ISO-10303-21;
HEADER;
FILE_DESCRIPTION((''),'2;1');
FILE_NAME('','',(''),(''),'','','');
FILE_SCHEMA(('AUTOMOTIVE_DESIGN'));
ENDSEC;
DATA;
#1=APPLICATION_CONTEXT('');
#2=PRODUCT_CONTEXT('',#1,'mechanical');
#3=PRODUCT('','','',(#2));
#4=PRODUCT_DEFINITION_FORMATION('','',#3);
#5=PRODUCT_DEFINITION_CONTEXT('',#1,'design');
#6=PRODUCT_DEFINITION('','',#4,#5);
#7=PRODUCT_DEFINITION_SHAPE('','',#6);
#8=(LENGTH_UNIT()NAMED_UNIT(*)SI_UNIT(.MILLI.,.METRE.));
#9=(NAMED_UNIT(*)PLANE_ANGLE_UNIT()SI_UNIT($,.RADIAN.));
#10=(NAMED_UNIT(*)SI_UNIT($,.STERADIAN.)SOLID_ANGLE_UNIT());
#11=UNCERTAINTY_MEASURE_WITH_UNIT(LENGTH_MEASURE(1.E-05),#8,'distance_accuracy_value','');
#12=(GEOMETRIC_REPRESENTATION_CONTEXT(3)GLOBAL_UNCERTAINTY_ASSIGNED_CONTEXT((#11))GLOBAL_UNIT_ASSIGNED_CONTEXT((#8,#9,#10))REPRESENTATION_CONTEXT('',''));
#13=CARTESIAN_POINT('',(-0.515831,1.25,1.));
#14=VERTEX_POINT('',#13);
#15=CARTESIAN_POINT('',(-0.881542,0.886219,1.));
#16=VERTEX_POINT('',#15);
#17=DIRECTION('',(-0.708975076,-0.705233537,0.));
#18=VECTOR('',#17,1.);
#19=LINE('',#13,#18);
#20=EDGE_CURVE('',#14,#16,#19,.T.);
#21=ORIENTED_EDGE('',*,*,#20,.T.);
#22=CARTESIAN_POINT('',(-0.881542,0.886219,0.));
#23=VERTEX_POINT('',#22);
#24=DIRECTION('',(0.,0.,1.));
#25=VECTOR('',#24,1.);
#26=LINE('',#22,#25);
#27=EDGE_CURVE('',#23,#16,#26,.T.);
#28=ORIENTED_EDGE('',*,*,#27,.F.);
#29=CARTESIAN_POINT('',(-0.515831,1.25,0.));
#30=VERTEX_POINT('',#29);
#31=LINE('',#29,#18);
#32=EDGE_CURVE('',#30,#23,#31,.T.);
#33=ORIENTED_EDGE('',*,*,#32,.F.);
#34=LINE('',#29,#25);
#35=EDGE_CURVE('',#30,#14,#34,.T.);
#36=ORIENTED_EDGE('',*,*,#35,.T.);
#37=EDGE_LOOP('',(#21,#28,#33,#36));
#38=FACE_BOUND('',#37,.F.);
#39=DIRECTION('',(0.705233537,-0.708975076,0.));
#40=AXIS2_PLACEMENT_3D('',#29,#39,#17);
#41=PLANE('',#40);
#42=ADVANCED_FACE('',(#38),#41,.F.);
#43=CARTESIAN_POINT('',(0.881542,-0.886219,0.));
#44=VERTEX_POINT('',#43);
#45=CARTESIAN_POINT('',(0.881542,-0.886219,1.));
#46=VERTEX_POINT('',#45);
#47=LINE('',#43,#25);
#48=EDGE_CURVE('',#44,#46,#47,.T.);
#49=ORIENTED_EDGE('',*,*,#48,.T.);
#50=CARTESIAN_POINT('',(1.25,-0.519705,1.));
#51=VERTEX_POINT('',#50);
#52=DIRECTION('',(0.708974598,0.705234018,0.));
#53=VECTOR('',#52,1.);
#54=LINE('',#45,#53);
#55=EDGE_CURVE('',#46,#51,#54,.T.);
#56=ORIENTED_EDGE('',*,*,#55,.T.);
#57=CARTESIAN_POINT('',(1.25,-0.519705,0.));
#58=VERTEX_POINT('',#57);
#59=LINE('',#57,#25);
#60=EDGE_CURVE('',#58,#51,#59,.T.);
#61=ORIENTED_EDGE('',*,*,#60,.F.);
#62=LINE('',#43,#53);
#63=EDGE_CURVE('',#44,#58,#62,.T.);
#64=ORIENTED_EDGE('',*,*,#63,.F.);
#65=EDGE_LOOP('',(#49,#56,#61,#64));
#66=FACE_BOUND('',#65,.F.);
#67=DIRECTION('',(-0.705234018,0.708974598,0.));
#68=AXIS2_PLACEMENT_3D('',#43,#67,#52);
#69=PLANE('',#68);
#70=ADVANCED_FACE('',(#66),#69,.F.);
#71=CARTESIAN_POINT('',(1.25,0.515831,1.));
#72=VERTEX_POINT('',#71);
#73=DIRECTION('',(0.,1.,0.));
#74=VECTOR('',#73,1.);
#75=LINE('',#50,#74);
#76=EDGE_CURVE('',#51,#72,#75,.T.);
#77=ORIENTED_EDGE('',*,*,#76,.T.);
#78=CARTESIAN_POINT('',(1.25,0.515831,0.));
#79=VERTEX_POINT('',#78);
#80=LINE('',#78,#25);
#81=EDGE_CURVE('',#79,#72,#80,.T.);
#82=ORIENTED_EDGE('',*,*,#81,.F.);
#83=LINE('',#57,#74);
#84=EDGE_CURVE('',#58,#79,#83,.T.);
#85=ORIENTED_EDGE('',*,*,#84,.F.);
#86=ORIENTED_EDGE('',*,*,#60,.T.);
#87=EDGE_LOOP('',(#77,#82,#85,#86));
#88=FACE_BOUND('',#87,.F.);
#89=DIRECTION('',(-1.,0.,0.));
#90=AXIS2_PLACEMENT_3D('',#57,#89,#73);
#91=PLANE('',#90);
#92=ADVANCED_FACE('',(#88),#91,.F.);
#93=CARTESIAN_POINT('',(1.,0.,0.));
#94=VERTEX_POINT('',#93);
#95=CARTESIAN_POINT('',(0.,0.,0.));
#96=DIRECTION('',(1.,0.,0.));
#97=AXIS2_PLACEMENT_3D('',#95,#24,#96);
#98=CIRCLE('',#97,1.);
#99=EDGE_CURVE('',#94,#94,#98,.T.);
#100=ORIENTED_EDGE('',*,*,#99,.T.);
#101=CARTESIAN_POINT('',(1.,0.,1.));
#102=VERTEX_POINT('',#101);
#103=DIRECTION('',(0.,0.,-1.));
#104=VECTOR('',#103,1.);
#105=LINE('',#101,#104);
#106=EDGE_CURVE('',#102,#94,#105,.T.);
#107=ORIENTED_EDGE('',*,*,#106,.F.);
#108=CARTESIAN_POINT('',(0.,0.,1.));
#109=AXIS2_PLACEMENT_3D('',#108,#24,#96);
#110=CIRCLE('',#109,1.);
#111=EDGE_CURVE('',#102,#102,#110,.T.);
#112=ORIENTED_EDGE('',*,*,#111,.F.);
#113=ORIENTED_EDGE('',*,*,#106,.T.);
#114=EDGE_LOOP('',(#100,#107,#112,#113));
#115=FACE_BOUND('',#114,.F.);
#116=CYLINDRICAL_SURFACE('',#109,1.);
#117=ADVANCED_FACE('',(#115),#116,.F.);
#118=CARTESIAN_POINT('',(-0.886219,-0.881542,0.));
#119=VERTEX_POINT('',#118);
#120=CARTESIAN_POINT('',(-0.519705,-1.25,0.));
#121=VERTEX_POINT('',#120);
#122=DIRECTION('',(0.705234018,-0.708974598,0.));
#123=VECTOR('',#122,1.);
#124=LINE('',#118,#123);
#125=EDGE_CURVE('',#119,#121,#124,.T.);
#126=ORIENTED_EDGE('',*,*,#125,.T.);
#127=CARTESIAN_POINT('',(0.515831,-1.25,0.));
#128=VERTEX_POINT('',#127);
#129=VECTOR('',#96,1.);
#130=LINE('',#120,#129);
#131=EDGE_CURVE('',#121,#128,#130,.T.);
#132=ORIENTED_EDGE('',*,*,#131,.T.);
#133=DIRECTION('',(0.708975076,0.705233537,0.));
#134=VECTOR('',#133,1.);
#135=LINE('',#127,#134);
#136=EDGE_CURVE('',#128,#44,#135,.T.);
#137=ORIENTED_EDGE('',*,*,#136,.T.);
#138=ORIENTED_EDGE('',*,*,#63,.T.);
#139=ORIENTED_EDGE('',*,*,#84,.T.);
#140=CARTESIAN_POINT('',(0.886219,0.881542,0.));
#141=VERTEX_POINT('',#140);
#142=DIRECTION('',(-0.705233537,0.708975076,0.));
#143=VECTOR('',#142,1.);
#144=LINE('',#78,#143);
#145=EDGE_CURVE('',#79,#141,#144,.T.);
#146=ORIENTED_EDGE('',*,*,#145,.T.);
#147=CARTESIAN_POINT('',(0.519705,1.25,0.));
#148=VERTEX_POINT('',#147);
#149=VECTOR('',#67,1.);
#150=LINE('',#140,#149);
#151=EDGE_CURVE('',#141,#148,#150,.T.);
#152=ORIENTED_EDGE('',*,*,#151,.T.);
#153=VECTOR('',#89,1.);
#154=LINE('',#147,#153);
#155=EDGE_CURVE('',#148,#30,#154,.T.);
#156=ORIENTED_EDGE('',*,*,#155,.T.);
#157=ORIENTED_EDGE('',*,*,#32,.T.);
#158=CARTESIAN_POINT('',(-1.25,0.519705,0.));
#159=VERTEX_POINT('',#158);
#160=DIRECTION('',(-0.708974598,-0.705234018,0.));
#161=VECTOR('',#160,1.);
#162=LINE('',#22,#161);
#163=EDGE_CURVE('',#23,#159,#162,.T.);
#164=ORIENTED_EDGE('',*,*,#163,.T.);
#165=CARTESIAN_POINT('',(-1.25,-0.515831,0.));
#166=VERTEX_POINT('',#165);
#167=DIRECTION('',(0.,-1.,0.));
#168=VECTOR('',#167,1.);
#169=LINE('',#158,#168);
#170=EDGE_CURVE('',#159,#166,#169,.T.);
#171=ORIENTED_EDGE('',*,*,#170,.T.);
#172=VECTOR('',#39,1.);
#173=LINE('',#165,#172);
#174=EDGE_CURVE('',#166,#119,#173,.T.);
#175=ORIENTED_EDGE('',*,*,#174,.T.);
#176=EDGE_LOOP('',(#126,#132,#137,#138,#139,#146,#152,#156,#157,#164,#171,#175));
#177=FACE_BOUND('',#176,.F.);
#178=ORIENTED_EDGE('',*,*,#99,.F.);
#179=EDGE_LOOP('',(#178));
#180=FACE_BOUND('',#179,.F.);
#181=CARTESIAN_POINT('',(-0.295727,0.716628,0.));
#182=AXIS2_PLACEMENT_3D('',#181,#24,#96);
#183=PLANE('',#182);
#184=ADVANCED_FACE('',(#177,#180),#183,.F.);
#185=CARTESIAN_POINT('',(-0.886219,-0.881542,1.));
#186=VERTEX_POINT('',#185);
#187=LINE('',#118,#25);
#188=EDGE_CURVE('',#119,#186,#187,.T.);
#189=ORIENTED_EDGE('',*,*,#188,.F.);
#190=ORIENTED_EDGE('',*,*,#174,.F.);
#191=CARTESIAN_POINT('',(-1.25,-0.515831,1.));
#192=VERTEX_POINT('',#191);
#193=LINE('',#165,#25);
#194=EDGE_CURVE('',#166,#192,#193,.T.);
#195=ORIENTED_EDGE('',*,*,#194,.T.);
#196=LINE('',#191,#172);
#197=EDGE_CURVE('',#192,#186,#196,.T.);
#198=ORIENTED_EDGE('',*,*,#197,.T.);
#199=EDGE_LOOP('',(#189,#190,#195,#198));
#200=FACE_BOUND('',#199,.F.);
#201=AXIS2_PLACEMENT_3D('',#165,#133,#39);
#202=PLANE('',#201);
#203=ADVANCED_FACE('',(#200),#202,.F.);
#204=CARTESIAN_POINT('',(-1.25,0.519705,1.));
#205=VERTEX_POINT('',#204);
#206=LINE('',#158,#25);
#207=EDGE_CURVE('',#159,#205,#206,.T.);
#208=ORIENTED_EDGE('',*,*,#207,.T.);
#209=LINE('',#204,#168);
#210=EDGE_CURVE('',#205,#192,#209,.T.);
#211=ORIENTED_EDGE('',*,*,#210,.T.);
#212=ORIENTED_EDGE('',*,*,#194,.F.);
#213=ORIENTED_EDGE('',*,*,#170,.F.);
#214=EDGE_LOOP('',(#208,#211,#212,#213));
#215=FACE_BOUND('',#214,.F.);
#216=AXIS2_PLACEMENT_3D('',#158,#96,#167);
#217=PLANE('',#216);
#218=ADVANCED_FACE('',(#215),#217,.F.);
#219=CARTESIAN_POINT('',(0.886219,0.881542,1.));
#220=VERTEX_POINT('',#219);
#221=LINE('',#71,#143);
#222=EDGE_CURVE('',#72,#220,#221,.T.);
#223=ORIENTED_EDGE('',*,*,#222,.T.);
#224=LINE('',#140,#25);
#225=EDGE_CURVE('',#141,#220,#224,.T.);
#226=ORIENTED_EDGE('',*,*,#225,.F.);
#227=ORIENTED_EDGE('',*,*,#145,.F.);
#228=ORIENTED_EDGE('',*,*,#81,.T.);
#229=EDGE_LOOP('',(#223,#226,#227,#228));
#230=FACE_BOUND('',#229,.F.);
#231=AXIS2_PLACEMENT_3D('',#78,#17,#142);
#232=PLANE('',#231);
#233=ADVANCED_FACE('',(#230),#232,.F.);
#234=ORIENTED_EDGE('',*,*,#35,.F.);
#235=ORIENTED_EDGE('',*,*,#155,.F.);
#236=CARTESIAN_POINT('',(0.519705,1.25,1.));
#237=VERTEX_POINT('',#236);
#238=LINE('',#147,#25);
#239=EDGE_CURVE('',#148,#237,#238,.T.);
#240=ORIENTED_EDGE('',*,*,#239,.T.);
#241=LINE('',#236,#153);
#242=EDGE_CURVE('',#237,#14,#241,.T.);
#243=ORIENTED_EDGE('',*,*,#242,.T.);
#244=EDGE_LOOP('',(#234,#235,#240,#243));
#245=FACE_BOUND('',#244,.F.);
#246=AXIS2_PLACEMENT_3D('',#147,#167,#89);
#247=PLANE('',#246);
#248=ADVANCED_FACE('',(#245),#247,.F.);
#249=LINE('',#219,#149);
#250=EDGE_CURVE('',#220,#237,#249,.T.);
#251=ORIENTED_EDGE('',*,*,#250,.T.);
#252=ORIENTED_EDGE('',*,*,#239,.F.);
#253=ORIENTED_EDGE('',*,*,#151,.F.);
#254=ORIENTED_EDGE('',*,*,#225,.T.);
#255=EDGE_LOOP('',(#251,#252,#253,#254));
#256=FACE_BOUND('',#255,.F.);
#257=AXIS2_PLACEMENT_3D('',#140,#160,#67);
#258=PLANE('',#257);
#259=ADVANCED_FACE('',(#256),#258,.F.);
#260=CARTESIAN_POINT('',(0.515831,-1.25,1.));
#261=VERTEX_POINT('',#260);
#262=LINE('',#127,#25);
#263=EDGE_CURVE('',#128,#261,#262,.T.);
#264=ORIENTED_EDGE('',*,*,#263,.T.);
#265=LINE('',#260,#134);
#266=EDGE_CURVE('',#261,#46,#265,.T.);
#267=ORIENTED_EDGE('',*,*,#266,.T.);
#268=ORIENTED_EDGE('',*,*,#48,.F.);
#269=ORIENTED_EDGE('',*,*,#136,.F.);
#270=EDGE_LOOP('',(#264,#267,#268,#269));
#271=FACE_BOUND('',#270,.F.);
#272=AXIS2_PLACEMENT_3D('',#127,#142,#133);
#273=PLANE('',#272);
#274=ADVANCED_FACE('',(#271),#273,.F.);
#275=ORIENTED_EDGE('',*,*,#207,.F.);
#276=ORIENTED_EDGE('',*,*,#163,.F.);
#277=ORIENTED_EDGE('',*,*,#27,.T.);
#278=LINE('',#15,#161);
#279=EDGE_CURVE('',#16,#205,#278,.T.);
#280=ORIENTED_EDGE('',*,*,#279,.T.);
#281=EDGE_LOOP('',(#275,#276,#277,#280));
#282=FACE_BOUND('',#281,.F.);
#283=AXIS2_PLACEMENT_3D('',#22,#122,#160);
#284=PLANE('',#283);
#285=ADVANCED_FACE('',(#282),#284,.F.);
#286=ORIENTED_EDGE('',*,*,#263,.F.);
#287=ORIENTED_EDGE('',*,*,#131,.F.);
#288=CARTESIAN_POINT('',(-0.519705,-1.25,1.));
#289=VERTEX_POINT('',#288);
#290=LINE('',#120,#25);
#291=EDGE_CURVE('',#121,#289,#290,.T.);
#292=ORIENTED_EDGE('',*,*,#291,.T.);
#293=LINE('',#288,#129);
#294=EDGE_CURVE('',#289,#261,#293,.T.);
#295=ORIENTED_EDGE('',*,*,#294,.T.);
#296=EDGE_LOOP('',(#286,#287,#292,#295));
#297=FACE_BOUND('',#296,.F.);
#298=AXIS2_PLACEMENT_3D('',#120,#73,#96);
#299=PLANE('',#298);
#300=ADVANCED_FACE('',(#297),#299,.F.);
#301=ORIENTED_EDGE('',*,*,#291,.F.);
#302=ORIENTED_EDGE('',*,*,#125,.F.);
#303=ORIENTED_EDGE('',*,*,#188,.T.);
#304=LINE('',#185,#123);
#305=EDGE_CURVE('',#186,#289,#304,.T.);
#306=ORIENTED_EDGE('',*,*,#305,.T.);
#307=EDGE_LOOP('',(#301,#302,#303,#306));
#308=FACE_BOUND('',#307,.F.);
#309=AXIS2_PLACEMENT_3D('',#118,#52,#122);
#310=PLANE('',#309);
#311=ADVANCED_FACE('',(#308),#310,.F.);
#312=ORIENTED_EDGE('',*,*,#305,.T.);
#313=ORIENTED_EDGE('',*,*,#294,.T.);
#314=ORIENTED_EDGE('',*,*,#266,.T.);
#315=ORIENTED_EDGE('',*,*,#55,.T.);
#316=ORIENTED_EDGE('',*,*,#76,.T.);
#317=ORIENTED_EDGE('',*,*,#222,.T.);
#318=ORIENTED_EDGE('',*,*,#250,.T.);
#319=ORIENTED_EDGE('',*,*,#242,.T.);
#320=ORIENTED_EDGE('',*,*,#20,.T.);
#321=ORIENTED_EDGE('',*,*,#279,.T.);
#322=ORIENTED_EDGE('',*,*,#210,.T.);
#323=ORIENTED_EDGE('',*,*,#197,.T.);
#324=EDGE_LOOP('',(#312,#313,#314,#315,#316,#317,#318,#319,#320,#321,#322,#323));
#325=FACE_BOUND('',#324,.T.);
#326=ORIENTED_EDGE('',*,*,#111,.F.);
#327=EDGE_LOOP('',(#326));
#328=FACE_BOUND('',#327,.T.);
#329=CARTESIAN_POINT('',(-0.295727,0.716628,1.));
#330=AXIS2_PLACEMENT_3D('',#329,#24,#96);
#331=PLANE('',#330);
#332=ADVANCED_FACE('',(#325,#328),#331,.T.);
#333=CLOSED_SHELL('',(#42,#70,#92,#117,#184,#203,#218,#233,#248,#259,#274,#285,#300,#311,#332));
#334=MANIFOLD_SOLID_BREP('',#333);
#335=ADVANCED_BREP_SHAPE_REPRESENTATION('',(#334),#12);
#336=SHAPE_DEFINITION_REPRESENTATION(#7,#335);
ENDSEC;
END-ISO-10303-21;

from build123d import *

# Parameters (mm, degrees)
F1_DEPTH = 1
F2_R     = 1
F3_DEPTH = 25


with BuildPart() as f1:
    # F0 (on Top) → F1 (new body)
    with BuildSketch(Plane.XY):
        Polygon((-0.881542, 0.886219), (0, 0), (0, 1.25), (-0.515831, 1.25), align=None)
        Polygon((0.881542, -0.886219), (0, 0), (0, -1.25), (0.515831, -1.25), align=None)
        Polygon((0.886219, 0.881542), (0, 0), (1.25, 0), (1.25, 0.515831), align=None)
        Polygon((-0.886219, -0.881542), (0, 0), (-1.25, 0), (-1.25, -0.515831), align=None)
        Polygon((0, 1.25), (0, 0), (0.886219, 0.881542), (0.519705, 1.25), align=None)
        Polygon((0, -1.25), (0, 0), (-0.886219, -0.881542), (-0.519705, -1.25), align=None)
        Polygon((1.25, 0), (0, 0), (0.881542, -0.886219), (1.25, -0.519705), align=None)
        Polygon((-1.25, 0), (0, 0), (-0.881542, 0.886219), (-1.25, 0.519705), align=None)
    extrude(amount=F1_DEPTH)

    # F2 (on face) → F3 (cut)
    with BuildSketch(Plane.XY.offset(1)):
        Circle(F2_R)
    extrude(amount=-F3_DEPTH, mode=Mode.SUBTRACT)


solid = f1.part
